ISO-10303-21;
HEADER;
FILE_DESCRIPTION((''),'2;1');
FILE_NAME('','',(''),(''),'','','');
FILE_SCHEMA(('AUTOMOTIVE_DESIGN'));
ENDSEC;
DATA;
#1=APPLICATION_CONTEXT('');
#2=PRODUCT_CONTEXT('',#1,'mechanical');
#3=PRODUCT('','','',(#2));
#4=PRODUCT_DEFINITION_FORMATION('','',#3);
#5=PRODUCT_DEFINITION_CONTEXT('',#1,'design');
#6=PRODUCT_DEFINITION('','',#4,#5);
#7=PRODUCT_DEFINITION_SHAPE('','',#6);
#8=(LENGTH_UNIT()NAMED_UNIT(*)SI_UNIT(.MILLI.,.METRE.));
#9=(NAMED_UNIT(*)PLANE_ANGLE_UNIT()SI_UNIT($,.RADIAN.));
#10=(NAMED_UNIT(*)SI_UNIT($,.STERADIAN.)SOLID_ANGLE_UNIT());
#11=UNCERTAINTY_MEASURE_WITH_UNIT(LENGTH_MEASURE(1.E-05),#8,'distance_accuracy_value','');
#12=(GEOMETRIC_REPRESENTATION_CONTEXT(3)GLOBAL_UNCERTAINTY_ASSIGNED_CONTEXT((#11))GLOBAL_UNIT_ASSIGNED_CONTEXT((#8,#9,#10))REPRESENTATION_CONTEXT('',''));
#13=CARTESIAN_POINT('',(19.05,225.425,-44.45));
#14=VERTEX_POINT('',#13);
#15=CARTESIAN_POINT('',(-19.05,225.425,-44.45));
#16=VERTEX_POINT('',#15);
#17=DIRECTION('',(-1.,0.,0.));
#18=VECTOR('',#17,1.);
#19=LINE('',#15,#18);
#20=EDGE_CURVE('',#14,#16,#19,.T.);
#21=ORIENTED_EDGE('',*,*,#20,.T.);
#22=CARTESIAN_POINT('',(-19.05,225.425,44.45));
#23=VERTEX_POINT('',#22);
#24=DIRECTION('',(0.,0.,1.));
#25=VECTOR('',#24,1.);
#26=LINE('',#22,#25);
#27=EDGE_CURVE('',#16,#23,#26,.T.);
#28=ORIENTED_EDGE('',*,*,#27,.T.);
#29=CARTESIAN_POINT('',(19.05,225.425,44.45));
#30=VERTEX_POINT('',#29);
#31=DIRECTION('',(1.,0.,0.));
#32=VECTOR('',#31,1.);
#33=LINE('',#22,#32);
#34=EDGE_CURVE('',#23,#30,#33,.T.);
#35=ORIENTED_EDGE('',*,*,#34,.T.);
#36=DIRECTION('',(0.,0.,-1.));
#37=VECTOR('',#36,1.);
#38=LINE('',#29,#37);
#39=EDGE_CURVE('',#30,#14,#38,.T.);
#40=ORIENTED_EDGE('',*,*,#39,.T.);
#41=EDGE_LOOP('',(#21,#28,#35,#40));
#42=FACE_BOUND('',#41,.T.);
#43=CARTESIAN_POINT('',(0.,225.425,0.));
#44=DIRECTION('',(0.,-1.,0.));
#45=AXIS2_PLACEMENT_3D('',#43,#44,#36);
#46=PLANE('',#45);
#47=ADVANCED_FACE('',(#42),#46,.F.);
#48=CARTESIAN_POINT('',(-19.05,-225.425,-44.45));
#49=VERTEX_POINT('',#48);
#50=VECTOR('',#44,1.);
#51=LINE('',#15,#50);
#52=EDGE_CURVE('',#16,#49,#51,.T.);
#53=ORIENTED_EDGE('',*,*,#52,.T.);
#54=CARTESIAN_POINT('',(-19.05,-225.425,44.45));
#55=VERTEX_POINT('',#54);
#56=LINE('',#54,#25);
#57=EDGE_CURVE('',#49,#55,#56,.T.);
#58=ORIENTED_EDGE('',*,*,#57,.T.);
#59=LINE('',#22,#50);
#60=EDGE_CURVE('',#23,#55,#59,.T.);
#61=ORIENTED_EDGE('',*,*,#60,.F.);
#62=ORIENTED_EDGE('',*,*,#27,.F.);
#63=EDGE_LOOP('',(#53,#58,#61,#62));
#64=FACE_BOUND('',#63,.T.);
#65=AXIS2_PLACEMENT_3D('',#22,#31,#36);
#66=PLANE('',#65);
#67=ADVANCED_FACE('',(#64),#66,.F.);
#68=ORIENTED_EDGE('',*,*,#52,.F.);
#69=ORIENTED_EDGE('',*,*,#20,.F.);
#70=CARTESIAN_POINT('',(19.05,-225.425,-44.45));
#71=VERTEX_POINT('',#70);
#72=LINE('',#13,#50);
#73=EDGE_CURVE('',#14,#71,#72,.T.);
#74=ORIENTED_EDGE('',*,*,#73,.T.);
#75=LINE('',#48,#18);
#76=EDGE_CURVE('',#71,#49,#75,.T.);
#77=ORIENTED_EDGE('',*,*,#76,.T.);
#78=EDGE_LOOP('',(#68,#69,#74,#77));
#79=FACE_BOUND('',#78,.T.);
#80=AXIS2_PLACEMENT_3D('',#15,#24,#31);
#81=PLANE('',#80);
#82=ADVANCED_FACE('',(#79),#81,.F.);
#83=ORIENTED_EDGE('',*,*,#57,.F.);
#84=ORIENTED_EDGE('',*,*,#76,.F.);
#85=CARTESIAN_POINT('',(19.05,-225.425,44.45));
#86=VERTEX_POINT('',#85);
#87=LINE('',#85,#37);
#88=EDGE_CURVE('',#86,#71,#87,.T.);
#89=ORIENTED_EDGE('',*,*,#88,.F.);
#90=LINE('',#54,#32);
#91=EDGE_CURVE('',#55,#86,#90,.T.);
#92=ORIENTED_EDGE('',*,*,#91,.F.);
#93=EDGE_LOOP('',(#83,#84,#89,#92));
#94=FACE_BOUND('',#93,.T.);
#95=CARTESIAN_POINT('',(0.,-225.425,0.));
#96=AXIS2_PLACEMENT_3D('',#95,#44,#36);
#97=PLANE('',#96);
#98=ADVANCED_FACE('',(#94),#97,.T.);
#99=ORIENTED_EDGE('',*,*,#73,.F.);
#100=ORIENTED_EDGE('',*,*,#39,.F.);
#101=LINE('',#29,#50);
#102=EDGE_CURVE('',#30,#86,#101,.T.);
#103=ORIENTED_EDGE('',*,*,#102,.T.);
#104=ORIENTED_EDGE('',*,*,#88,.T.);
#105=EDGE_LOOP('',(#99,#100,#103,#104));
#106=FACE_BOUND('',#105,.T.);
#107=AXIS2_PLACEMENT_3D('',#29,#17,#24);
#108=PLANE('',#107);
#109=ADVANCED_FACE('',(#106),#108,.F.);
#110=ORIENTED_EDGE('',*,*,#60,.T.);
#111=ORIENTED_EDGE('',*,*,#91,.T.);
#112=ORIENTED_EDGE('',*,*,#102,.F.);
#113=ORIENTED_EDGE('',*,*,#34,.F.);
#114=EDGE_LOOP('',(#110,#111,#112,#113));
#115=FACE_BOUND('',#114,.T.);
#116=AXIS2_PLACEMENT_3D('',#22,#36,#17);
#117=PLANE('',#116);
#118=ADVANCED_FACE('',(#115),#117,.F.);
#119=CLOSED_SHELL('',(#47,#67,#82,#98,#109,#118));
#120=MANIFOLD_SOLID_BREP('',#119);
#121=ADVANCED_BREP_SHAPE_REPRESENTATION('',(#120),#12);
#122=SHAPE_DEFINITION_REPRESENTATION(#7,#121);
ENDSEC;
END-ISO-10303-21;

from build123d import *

# Parameters (mm, degrees)
SKETCH1_W           = 38.1
SKETCH1_H           = 88.9
BOSS_EXTRUDE1_DEPTH = 225.425


with BuildPart() as part:
    # Sketch1 → Boss-Extrude1 (new, symmetric)
    with BuildSketch(Plane(origin=(0, 0, 0), x_dir=(1, 0, 0), z_dir=(0, 1, 0))):
        Rectangle(SKETCH1_W, SKETCH1_H)
    extrude(amount=BOSS_EXTRUDE1_DEPTH, both=True)


solid = part.part
